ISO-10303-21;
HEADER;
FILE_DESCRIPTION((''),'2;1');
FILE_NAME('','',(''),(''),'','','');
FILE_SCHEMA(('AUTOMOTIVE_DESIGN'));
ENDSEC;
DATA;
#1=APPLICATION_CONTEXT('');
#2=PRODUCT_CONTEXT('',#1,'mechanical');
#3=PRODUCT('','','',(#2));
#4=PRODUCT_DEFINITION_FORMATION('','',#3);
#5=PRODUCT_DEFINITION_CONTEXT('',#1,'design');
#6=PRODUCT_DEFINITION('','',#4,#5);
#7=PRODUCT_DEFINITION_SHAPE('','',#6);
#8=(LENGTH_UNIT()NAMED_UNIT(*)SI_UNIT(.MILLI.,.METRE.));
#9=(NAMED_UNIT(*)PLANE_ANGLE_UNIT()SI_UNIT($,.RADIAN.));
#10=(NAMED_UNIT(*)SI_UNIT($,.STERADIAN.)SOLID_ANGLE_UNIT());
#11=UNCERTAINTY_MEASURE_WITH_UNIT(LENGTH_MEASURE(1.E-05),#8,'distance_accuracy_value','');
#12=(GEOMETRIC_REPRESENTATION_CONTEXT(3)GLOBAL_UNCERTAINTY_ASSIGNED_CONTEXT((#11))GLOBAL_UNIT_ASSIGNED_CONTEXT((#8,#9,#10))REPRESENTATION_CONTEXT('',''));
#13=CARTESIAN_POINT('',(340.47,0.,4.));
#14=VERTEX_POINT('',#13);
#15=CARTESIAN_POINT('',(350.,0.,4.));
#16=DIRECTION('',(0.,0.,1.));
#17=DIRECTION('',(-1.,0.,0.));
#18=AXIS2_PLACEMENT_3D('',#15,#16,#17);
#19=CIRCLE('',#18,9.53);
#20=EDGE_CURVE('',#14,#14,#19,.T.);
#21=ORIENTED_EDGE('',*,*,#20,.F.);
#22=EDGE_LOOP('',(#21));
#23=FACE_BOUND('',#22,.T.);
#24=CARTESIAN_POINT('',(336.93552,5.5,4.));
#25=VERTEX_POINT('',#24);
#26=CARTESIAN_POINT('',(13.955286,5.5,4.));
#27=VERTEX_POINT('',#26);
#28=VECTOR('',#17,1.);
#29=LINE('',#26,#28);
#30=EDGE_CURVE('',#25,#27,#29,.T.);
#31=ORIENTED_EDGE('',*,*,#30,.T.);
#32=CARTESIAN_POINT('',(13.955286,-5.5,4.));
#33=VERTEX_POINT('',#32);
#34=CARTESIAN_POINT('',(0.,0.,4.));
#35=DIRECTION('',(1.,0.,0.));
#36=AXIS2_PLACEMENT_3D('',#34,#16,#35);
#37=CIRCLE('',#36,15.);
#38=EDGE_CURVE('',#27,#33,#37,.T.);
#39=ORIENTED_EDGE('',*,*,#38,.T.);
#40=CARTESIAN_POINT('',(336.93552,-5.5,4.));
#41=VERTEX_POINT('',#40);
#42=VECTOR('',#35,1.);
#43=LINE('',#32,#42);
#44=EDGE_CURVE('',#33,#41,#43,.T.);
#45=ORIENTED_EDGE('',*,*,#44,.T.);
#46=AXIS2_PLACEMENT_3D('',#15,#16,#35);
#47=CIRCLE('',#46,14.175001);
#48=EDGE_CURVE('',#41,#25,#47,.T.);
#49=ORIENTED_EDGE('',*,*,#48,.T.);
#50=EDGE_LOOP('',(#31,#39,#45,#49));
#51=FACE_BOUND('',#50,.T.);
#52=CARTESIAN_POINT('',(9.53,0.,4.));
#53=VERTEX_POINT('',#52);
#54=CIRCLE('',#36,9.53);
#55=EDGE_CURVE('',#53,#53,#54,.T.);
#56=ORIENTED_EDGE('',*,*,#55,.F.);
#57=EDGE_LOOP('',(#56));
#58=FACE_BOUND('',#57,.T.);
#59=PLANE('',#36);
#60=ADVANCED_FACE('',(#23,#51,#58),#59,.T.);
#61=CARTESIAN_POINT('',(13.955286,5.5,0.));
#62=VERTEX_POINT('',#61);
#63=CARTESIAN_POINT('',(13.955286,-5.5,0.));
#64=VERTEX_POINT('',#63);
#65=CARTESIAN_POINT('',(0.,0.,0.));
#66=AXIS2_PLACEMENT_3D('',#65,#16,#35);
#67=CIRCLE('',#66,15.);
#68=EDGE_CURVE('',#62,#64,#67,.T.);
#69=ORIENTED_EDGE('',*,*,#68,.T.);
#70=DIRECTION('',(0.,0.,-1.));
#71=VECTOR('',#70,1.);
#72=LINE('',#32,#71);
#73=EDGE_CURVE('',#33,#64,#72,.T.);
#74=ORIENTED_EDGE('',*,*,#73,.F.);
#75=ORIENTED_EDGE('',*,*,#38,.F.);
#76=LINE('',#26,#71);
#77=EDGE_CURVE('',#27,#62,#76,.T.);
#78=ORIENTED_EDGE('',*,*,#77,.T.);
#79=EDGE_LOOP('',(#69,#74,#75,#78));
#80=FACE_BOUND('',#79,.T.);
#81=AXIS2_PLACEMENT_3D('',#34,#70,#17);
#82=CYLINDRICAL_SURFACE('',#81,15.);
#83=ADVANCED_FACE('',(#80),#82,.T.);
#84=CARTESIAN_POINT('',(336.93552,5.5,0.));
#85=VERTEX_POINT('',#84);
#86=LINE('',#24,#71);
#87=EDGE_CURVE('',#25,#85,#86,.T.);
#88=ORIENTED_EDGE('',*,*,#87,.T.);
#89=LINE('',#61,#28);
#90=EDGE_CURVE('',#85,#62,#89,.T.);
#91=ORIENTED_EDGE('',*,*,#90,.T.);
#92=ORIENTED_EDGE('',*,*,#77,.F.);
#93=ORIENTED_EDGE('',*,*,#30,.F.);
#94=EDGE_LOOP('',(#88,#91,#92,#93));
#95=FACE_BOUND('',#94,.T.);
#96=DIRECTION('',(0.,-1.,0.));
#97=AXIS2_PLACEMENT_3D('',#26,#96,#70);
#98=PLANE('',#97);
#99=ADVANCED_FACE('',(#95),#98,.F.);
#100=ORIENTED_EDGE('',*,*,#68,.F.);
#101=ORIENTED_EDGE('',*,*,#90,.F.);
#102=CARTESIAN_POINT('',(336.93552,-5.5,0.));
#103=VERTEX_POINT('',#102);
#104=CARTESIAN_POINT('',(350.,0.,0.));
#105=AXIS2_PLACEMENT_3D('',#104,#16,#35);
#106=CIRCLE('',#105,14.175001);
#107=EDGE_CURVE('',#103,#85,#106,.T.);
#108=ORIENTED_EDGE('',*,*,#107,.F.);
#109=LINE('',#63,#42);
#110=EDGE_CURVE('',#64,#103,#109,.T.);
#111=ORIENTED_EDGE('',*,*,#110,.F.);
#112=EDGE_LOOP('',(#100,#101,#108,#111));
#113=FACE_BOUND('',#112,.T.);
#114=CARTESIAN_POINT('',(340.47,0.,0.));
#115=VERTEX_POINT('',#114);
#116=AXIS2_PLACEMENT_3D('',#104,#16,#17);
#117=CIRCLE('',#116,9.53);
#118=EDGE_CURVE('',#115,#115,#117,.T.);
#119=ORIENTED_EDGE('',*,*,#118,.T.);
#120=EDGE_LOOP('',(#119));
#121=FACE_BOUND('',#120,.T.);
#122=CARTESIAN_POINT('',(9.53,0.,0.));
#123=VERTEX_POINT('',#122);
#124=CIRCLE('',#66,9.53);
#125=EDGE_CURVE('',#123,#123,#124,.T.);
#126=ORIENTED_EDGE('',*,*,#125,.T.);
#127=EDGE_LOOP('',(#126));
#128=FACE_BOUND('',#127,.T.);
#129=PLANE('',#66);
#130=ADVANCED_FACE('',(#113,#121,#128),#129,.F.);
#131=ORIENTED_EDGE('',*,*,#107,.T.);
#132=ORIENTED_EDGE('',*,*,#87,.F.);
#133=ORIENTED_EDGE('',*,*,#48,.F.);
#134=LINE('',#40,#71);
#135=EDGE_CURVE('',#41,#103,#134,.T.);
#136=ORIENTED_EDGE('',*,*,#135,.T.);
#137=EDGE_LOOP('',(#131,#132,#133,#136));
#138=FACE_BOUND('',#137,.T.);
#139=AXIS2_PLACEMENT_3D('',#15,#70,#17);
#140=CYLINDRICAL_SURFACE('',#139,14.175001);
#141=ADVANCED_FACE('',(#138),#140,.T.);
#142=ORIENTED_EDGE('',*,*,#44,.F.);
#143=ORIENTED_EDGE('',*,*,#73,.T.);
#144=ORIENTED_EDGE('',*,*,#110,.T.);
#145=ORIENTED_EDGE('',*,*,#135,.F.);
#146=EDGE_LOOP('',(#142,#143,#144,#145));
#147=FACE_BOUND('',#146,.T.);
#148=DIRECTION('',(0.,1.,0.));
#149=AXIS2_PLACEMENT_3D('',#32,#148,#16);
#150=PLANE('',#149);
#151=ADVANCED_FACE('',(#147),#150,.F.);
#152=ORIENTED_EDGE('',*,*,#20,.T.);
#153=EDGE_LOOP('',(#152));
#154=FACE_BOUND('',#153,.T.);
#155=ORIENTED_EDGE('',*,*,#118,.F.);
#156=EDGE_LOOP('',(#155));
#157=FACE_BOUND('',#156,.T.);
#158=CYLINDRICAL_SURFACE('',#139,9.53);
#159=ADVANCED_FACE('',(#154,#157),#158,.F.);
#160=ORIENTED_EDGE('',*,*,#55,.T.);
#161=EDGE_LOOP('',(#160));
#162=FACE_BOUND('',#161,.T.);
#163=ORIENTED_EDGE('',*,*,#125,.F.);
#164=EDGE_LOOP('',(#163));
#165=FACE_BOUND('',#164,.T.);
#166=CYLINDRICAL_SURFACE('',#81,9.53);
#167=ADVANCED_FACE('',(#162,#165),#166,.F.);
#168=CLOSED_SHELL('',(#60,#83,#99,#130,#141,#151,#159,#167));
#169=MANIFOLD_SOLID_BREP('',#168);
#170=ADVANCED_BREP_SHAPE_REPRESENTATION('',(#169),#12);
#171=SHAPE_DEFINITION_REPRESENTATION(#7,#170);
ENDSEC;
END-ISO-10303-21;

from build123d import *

# Parameters (mm, degrees)
SKETCH_1_R      = 9.53
EXTRUDE_1_DEPTH = 4


with BuildPart() as part:
    # 草图1 → 凸台-拉伸1 (new body)
    with BuildSketch(Plane.XY):
        with BuildLine():
            Line((13.955285737, 5.5), (336.935519652, 5.5))
            ThreePointArc((336.935519652, 5.5), (364.175000767, 0), (336.935519652, -5.5))
            Line((336.935519652, -5.5), (13.955285737, -5.5))
            ThreePointArc((13.955285737, -5.5), (-15, 0), (13.955285737, 5.5))
        make_face()
        Circle(SKETCH_1_R, mode=Mode.SUBTRACT)
        with Locations(Location((350, 0, 0), (0, 0, 180))):
            Circle(SKETCH_1_R, mode=Mode.SUBTRACT)
    extrude(amount=EXTRUDE_1_DEPTH)


solid = part.part
